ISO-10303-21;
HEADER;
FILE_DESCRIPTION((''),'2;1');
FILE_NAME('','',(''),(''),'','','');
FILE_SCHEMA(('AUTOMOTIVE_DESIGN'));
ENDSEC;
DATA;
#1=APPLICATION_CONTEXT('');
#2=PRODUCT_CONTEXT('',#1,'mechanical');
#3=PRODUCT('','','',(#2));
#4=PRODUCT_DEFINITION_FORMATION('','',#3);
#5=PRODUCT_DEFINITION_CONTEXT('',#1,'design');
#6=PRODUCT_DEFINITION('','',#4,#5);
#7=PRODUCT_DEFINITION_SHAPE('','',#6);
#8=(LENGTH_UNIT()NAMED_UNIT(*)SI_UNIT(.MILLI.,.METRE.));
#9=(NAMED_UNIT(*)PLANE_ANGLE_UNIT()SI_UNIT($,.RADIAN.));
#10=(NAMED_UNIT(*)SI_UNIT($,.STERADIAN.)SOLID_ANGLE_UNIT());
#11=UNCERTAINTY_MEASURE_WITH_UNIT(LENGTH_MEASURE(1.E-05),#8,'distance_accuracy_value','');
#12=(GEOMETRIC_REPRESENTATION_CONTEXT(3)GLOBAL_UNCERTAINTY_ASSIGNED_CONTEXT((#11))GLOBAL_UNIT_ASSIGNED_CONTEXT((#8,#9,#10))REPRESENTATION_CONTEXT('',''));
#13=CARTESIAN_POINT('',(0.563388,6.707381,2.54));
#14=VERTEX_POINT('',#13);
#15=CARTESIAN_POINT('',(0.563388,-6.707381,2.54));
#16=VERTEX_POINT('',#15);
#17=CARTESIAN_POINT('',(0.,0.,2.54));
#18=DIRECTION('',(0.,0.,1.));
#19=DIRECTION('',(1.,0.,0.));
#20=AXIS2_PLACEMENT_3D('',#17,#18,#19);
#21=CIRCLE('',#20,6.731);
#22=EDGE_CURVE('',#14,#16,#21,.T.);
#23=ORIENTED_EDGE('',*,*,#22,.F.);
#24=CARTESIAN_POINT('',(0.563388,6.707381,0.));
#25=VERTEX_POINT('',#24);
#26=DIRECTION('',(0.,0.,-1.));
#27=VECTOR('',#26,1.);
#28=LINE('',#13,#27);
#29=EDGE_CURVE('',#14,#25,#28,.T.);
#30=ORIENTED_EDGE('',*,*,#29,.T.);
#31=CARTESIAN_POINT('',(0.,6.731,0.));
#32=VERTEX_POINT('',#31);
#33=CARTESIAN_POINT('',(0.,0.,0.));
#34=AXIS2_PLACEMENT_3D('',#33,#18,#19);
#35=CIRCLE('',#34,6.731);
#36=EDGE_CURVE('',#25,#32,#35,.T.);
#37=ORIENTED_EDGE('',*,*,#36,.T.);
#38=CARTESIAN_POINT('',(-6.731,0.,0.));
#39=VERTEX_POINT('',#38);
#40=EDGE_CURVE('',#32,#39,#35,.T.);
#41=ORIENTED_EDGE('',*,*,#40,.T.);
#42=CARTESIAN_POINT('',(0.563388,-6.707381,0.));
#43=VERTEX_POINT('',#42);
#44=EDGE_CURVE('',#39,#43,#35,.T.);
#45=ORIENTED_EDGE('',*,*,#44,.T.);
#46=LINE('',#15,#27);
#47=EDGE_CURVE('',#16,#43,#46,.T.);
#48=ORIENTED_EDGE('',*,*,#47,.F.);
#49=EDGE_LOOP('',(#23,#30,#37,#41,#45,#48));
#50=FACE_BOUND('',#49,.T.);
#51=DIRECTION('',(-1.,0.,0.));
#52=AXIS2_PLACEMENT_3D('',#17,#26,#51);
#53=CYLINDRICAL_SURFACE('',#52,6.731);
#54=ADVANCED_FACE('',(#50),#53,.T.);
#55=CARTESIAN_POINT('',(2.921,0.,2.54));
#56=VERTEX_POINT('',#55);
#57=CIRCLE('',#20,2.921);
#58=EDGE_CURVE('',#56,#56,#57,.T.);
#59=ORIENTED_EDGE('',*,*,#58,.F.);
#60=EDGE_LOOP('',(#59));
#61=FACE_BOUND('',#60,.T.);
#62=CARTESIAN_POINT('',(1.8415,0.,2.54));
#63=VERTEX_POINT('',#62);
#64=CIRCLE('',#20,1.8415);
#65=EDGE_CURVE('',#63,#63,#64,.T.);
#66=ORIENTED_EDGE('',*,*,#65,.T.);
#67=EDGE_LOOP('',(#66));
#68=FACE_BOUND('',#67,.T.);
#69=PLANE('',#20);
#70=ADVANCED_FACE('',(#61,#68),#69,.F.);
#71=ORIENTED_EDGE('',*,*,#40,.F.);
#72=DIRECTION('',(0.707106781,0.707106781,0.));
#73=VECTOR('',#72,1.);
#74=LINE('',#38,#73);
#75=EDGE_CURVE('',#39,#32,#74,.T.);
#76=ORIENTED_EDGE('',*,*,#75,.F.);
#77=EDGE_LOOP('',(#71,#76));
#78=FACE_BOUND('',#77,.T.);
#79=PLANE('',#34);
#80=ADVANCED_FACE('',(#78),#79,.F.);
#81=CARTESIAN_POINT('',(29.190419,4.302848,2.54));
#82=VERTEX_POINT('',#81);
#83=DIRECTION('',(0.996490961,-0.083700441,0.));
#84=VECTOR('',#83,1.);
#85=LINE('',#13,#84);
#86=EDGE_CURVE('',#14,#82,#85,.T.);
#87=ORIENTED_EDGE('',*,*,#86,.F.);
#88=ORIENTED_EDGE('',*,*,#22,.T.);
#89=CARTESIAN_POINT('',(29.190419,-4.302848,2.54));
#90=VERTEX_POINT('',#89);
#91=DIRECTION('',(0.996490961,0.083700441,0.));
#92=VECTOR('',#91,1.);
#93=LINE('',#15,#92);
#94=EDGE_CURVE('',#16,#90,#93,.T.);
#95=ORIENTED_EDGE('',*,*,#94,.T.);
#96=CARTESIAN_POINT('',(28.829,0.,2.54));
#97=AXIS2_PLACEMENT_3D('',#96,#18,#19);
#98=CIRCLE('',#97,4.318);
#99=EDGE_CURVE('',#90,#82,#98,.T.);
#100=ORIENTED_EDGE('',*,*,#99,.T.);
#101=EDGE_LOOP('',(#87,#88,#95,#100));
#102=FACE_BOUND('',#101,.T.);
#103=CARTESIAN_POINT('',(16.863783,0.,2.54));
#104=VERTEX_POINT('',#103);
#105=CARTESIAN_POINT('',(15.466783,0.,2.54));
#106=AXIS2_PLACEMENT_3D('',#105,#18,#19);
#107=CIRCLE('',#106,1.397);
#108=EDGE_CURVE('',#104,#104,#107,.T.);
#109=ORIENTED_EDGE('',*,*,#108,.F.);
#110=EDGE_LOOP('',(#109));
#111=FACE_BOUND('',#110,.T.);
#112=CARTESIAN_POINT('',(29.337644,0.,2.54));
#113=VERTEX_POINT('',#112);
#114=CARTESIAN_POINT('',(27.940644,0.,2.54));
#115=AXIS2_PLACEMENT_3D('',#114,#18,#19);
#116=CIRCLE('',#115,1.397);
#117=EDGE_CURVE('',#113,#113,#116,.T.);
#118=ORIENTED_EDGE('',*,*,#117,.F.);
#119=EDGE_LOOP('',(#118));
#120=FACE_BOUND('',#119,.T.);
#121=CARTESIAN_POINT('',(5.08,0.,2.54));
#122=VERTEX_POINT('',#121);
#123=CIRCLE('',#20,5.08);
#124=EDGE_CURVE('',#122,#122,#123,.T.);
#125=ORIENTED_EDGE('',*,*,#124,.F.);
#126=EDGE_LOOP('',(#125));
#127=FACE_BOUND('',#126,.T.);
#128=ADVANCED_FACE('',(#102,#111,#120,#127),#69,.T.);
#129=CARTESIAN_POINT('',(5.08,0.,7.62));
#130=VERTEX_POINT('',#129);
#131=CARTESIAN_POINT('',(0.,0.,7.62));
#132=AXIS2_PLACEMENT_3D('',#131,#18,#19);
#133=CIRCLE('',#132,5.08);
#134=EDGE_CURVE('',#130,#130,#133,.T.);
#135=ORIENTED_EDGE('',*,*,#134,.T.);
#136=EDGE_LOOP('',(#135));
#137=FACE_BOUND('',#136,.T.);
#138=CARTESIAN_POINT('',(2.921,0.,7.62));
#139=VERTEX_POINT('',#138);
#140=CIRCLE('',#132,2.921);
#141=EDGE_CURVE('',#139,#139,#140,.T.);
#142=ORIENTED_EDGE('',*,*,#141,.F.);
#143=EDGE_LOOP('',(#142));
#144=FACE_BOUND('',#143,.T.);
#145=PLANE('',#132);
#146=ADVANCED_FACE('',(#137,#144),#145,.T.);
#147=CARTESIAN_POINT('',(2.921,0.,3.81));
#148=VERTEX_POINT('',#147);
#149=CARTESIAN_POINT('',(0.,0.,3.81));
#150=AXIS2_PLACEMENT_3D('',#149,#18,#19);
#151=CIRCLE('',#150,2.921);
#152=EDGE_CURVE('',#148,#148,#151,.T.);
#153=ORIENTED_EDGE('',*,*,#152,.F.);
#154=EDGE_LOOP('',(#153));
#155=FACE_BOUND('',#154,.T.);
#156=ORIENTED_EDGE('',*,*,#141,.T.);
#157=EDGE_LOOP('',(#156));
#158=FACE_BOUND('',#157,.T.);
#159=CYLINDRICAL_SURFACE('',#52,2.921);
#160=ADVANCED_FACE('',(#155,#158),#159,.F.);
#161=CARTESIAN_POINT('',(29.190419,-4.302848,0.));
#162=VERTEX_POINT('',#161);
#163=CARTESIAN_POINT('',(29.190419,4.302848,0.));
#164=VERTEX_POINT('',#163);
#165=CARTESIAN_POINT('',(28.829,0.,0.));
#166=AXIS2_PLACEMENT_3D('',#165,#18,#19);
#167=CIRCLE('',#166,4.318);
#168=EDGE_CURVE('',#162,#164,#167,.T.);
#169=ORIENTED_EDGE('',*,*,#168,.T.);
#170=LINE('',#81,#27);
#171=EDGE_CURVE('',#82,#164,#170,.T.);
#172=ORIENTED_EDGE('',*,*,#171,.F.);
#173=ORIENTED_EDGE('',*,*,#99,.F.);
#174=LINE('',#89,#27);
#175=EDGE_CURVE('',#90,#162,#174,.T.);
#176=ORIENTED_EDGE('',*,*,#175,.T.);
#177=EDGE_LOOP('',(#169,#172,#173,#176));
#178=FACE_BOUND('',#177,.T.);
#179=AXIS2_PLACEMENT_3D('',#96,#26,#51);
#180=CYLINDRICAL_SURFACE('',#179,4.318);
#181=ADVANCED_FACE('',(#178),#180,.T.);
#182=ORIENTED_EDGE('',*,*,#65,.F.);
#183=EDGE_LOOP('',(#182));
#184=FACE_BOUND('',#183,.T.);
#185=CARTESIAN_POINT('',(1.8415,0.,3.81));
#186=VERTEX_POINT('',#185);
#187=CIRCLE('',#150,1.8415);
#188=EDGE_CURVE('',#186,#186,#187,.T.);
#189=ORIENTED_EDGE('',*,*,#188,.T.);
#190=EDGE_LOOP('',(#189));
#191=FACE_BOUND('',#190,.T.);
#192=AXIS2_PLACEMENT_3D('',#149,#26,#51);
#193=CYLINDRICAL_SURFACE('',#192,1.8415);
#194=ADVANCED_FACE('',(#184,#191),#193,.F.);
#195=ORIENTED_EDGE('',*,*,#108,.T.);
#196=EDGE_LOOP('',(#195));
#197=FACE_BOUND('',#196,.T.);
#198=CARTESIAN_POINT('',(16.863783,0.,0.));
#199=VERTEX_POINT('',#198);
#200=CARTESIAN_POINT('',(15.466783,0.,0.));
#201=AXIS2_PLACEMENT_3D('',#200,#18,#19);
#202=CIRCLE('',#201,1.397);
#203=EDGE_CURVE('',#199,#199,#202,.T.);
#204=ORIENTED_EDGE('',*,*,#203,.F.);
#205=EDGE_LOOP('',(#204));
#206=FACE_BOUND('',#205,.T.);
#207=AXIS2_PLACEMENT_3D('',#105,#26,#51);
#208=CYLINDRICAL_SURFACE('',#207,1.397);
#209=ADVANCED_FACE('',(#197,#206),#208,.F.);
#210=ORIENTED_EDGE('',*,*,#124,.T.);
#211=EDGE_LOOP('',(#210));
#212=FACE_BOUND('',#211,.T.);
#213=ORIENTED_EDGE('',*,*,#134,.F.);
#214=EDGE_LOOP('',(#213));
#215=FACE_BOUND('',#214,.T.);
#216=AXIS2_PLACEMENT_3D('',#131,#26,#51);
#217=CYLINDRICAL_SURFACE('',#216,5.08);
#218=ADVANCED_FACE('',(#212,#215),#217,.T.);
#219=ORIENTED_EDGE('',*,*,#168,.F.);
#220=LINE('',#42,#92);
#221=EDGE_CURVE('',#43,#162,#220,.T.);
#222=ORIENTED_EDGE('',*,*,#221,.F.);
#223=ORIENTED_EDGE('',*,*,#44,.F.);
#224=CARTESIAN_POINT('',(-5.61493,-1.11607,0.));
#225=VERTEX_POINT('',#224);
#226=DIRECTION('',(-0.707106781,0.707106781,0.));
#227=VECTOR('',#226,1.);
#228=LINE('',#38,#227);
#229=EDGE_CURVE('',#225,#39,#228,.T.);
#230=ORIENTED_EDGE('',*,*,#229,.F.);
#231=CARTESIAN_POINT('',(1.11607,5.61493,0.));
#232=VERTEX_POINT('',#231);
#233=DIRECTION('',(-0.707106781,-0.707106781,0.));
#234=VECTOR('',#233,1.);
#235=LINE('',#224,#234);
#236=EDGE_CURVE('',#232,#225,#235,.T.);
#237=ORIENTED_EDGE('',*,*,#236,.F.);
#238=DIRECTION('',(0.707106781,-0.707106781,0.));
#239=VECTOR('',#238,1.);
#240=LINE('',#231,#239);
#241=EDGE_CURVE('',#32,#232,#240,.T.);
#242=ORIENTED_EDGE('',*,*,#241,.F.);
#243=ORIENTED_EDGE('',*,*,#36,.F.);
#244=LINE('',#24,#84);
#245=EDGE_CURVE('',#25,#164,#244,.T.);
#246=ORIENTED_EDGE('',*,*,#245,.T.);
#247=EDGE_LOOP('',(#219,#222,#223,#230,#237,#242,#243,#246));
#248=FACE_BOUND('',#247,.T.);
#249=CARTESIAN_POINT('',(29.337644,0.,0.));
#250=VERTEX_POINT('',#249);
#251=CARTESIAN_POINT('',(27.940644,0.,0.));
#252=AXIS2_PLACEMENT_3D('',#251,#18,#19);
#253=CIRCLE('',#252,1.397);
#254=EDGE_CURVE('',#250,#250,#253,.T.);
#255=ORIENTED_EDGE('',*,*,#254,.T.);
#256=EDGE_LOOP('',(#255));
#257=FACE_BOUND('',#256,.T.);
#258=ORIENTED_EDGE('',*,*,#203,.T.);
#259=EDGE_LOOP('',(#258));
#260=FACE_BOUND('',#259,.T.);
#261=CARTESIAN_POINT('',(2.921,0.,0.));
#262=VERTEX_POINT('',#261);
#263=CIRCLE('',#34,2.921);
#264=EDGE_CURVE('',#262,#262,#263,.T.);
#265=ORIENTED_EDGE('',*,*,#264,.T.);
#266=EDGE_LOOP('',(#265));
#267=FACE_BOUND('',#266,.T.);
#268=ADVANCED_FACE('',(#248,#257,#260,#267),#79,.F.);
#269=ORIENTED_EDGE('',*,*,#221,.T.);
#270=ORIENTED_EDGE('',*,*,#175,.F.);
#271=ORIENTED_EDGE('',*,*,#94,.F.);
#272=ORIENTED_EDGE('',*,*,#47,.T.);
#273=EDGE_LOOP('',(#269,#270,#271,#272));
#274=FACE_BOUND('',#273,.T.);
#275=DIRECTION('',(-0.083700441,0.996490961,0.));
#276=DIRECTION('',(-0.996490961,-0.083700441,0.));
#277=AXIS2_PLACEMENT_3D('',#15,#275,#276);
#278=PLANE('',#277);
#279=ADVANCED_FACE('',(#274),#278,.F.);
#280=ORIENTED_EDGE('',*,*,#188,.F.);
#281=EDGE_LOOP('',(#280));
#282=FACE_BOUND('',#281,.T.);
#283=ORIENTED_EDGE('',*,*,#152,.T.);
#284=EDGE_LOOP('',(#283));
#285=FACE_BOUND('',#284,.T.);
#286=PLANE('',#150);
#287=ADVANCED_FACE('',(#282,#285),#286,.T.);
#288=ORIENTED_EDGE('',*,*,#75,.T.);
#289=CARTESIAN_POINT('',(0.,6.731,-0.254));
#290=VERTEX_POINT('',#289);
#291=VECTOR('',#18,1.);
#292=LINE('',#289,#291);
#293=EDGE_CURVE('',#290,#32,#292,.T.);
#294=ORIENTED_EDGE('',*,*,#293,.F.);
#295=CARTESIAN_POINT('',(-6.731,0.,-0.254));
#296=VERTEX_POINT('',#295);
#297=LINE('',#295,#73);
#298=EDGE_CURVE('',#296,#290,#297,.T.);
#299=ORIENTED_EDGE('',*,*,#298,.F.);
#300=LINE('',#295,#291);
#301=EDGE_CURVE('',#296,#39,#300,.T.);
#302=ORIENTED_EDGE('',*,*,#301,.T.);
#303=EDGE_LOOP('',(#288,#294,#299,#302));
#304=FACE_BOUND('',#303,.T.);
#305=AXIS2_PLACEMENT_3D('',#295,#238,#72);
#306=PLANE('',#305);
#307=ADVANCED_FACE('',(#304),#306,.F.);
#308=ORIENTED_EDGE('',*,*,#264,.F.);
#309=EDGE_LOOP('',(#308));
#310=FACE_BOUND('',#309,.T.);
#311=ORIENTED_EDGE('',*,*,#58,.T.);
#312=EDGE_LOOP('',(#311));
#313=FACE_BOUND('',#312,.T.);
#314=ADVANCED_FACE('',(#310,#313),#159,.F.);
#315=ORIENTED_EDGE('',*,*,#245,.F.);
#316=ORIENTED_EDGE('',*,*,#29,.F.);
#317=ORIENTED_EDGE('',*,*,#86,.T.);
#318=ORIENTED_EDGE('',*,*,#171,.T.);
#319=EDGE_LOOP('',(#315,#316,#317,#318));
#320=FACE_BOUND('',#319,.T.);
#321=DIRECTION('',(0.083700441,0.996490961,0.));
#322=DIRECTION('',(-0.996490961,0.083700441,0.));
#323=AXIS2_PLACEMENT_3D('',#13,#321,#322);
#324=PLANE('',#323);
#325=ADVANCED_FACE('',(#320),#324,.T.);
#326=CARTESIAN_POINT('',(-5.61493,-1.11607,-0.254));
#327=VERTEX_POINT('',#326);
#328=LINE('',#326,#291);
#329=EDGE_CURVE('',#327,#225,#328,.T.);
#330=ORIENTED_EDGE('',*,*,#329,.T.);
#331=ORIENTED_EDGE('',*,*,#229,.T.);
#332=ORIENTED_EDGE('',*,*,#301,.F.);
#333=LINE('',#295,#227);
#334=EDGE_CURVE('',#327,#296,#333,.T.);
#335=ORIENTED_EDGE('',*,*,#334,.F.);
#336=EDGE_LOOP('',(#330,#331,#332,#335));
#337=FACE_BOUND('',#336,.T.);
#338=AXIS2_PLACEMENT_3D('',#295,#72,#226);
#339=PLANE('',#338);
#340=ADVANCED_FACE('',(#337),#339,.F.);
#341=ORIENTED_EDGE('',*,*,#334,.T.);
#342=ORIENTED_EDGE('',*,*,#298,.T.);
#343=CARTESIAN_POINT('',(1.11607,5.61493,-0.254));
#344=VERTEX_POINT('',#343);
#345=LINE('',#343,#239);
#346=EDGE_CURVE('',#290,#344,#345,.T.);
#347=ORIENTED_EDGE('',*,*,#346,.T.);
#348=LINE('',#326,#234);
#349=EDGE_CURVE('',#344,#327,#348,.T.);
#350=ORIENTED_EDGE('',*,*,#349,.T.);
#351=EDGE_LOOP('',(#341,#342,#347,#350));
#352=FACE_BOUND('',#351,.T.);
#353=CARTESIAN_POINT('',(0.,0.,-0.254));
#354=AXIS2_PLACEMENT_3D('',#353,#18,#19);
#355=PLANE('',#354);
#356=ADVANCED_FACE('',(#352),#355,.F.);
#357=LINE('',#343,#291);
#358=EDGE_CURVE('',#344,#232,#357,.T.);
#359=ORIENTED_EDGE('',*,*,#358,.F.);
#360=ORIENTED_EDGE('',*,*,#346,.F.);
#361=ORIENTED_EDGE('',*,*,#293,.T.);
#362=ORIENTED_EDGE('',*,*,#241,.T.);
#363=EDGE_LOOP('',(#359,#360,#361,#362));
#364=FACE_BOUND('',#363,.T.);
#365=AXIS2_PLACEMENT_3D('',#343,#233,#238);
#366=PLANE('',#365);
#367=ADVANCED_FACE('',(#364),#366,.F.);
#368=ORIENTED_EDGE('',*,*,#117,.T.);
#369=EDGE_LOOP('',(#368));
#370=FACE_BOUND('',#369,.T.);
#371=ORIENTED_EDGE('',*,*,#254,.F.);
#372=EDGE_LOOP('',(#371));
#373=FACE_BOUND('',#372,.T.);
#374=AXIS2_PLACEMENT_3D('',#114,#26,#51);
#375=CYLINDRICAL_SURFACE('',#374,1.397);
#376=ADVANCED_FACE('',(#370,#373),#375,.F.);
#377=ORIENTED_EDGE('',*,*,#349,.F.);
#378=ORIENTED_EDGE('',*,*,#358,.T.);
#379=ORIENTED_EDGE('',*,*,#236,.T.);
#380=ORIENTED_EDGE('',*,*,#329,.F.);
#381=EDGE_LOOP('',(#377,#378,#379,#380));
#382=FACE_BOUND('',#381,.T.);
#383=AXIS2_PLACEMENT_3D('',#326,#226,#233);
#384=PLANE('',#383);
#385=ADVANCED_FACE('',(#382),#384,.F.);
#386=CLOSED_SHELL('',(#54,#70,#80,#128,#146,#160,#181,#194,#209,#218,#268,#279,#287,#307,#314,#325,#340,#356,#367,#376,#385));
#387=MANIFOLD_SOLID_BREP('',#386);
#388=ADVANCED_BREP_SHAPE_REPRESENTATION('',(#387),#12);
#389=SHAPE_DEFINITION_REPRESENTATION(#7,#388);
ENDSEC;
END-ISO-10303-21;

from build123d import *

# Parameters (mm, degrees)
SKETCH1_R           = 2.921
SKETCH1_R_2         = 1.397
BOSS_EXTRUDE1_DEPTH = 2.54
SKETCH2_R           = 5.08
SKETCH2_R_2         = 2.921
BOSS_EXTRUDE2_DEPTH = 5.08
SKETCH3_R           = 2.921
SKETCH3_R_2         = 1.8415
BOSS_EXTRUDE3_DEPTH = 1.27
BOSS_EXTRUDE4_DEPTH = 0.254


with BuildPart() as part:
    # Sketch1 → Boss-Extrude1 (new body)
    with BuildSketch(Plane.XY):
        with BuildLine():
            ThreePointArc((29.190418502, -4.302847972), (33.147, 0), (29.190418502, 4.302847972))
            Line((29.190418502, 4.302847972), (0.563387665, 6.707380662))
            ThreePointArc((0.563387665, 6.707380662), (-6.731, 0), (0.563387665, -6.707380662))
            Line((0.563387665, -6.707380662), (29.190418502, -4.302847972))
        make_face()
        Circle(SKETCH1_R, mode=Mode.SUBTRACT)
        with Locations((15.466782925, 0)):
            Circle(SKETCH1_R_2, mode=Mode.SUBTRACT)
        with Locations((27.940644271, 0)):
            Circle(SKETCH1_R_2, mode=Mode.SUBTRACT)
    extrude(amount=BOSS_EXTRUDE1_DEPTH)

    # Sketch2 → Boss-Extrude2 (add)
    with BuildSketch(Plane.XY.offset(2.54)):
        Circle(SKETCH2_R)
        Circle(SKETCH2_R_2, mode=Mode.SUBTRACT)
    extrude(amount=BOSS_EXTRUDE2_DEPTH)

    # Sketch3 → Boss-Extrude3 (add)
    with BuildSketch(Plane.XY.offset(2.54)):
        Circle(SKETCH3_R)
        Circle(SKETCH3_R_2, mode=Mode.SUBTRACT)
    extrude(amount=BOSS_EXTRUDE3_DEPTH)

    # Sketch4 → Boss-Extrude4 (add)
    with BuildSketch(Plane(origin=(0, 0, 0), x_dir=(-1, 0, 0), z_dir=(0, 0, -1))):
        Polygon((6.731, 0), (0, 6.731), (-1.116069724, 5.614930276), (5.614930276, -1.116069724), align=None)
    extrude(amount=BOSS_EXTRUDE4_DEPTH)


solid = part.part
